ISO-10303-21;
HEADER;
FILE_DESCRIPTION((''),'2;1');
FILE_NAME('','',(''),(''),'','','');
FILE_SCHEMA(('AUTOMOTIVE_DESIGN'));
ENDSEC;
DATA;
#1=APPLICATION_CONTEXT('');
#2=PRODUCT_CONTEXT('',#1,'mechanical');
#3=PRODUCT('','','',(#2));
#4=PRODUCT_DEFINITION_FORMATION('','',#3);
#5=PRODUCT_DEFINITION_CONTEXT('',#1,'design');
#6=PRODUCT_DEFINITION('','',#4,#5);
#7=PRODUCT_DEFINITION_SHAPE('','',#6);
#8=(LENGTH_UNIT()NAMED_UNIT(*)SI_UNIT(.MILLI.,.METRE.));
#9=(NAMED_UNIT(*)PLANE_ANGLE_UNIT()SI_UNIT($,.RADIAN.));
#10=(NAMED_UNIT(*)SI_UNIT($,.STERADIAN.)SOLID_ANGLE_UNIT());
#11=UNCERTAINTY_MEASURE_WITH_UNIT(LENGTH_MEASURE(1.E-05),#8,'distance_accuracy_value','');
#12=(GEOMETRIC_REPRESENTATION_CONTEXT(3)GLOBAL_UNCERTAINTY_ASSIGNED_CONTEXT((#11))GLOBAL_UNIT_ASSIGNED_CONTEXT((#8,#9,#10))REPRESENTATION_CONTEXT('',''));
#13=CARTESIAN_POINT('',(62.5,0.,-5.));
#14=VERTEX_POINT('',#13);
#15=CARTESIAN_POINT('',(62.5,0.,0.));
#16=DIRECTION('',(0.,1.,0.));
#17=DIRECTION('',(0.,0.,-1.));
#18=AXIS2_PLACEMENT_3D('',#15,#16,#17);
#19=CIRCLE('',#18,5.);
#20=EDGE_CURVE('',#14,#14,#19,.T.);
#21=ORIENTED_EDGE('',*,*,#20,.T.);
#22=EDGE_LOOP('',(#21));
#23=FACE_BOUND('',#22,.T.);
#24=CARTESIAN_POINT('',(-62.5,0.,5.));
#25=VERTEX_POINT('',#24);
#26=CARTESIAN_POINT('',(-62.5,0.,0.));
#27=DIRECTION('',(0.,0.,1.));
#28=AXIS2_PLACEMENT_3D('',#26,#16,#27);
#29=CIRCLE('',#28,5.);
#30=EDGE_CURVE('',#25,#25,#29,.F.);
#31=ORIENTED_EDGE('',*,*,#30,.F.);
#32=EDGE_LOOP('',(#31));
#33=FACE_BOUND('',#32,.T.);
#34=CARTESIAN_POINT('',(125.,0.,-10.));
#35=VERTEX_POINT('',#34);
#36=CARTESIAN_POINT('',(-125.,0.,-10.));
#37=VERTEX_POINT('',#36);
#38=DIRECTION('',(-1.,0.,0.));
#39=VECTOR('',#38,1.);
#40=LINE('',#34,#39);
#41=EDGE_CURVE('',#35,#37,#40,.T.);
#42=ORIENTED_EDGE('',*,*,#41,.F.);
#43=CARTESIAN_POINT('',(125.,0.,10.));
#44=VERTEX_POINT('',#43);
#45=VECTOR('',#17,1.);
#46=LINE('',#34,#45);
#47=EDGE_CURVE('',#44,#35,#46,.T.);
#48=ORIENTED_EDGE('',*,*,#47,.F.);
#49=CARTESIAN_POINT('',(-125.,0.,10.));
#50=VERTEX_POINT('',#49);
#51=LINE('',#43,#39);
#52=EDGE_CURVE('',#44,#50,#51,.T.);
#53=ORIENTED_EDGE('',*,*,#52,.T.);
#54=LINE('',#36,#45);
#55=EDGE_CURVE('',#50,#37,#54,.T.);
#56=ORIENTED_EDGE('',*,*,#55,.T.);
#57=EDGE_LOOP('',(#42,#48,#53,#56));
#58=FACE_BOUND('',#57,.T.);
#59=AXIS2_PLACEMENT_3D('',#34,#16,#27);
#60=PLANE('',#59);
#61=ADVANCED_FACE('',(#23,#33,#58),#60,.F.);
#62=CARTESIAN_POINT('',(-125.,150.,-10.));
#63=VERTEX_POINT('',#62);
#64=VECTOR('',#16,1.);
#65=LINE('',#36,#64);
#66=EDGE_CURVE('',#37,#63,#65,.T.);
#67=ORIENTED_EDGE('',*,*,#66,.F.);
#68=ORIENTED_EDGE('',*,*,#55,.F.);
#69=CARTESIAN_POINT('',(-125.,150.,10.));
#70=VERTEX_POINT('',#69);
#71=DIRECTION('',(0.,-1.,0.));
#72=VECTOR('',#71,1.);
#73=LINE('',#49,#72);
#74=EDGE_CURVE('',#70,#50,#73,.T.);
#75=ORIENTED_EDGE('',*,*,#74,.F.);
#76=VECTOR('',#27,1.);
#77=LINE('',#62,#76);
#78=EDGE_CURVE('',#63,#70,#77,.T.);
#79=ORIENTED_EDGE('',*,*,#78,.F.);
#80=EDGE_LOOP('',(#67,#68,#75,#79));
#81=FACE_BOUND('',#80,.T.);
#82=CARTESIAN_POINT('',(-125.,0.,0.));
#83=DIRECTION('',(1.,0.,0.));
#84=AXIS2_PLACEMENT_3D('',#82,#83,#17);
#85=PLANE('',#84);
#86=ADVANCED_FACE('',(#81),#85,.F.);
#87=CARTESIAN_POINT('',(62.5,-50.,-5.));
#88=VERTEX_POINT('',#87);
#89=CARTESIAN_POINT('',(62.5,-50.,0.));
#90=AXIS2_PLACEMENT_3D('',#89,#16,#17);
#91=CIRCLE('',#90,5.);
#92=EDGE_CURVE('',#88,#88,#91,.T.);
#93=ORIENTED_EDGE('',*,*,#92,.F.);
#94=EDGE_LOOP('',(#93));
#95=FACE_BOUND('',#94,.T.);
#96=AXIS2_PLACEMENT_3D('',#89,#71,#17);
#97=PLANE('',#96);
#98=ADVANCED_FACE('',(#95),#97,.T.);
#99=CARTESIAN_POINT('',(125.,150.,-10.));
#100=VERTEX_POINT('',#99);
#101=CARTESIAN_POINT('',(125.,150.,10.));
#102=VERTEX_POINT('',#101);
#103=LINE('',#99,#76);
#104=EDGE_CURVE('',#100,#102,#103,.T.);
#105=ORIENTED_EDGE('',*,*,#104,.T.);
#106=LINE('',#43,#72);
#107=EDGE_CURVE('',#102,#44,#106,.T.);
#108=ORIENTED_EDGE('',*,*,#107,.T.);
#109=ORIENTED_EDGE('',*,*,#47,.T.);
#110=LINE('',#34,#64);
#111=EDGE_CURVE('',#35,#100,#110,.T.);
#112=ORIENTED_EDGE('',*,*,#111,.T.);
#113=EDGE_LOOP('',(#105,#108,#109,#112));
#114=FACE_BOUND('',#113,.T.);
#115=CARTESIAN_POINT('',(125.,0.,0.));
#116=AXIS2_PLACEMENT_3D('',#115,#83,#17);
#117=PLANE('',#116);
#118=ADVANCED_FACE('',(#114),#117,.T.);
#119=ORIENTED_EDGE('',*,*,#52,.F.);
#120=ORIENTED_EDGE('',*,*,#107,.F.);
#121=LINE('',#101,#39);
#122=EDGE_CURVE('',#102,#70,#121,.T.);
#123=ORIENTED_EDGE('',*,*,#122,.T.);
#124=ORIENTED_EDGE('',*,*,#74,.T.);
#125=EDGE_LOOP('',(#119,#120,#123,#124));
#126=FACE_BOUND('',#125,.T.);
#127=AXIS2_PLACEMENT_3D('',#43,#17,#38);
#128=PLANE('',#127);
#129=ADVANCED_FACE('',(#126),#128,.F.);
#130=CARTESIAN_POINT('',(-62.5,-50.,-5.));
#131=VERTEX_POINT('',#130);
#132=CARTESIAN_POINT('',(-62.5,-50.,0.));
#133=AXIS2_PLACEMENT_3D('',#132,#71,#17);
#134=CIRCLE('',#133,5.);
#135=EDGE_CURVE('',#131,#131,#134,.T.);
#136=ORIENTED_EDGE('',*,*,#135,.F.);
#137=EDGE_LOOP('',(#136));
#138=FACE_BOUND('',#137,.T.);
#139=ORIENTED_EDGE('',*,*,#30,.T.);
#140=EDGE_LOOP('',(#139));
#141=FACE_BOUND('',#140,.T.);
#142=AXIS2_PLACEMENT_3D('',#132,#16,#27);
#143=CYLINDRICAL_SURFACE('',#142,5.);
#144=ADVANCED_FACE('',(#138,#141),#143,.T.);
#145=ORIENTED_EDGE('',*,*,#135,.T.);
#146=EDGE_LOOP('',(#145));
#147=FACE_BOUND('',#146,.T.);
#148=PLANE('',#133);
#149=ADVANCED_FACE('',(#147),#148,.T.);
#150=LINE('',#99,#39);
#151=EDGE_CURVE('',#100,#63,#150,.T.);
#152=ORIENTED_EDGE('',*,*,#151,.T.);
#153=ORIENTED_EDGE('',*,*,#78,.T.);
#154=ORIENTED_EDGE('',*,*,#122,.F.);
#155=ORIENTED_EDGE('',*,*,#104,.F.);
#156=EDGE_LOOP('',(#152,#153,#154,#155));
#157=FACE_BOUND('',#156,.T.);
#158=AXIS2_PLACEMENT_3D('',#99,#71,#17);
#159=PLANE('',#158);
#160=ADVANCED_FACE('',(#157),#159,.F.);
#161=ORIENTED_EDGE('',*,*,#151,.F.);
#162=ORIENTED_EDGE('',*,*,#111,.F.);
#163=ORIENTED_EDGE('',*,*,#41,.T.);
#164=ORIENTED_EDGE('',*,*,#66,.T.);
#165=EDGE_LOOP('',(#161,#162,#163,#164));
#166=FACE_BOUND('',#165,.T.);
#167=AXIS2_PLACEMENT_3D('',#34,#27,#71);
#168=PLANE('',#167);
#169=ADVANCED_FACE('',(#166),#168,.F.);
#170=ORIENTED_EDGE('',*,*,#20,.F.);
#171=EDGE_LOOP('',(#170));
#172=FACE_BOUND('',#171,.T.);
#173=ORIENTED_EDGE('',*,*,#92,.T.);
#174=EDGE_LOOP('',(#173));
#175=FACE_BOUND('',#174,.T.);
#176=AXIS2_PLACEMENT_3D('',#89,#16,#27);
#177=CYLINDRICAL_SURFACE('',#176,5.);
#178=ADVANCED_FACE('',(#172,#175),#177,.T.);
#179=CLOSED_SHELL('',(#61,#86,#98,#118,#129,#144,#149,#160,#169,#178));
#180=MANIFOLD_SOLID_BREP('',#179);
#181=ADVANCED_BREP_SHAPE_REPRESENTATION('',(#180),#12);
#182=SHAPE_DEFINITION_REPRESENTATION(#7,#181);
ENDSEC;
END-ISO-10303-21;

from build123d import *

# Parameters (mm, degrees)
SKETCH2_W           = 20
SKETCH2_H           = 150
BOSS_EXTRUDE2_DEPTH = 125
SKETCH3_R           = 5
BOSS_EXTRUDE3_DEPTH = 50


with BuildPart() as part:
    # Sketch2 → Boss-Extrude2 (new, symmetric)
    with BuildSketch(Plane(origin=(0, 0, 0), x_dir=(0, 0, -1), z_dir=(1, 0, 0))):
        with Locations((0, 75)):
            Rectangle(SKETCH2_W, SKETCH2_H)
    extrude(amount=BOSS_EXTRUDE2_DEPTH, both=True)

    # Sketch3 → Boss-Extrude3 (add)
    with BuildSketch(Plane.XZ):
        with Locations(Location((-62.5, 0, 0), (0, 0, 90))):
            Circle(SKETCH3_R)
    boss_extrude3 = extrude(amount=BOSS_EXTRUDE3_DEPTH)

    # Mirror1: Boss-Extrude3 across plane
    add(boss_extrude3.mirror(Plane(origin=(0, 0, 0), x_dir=(0, 0, 1), z_dir=(1, 0, 0))))


solid = part.part
